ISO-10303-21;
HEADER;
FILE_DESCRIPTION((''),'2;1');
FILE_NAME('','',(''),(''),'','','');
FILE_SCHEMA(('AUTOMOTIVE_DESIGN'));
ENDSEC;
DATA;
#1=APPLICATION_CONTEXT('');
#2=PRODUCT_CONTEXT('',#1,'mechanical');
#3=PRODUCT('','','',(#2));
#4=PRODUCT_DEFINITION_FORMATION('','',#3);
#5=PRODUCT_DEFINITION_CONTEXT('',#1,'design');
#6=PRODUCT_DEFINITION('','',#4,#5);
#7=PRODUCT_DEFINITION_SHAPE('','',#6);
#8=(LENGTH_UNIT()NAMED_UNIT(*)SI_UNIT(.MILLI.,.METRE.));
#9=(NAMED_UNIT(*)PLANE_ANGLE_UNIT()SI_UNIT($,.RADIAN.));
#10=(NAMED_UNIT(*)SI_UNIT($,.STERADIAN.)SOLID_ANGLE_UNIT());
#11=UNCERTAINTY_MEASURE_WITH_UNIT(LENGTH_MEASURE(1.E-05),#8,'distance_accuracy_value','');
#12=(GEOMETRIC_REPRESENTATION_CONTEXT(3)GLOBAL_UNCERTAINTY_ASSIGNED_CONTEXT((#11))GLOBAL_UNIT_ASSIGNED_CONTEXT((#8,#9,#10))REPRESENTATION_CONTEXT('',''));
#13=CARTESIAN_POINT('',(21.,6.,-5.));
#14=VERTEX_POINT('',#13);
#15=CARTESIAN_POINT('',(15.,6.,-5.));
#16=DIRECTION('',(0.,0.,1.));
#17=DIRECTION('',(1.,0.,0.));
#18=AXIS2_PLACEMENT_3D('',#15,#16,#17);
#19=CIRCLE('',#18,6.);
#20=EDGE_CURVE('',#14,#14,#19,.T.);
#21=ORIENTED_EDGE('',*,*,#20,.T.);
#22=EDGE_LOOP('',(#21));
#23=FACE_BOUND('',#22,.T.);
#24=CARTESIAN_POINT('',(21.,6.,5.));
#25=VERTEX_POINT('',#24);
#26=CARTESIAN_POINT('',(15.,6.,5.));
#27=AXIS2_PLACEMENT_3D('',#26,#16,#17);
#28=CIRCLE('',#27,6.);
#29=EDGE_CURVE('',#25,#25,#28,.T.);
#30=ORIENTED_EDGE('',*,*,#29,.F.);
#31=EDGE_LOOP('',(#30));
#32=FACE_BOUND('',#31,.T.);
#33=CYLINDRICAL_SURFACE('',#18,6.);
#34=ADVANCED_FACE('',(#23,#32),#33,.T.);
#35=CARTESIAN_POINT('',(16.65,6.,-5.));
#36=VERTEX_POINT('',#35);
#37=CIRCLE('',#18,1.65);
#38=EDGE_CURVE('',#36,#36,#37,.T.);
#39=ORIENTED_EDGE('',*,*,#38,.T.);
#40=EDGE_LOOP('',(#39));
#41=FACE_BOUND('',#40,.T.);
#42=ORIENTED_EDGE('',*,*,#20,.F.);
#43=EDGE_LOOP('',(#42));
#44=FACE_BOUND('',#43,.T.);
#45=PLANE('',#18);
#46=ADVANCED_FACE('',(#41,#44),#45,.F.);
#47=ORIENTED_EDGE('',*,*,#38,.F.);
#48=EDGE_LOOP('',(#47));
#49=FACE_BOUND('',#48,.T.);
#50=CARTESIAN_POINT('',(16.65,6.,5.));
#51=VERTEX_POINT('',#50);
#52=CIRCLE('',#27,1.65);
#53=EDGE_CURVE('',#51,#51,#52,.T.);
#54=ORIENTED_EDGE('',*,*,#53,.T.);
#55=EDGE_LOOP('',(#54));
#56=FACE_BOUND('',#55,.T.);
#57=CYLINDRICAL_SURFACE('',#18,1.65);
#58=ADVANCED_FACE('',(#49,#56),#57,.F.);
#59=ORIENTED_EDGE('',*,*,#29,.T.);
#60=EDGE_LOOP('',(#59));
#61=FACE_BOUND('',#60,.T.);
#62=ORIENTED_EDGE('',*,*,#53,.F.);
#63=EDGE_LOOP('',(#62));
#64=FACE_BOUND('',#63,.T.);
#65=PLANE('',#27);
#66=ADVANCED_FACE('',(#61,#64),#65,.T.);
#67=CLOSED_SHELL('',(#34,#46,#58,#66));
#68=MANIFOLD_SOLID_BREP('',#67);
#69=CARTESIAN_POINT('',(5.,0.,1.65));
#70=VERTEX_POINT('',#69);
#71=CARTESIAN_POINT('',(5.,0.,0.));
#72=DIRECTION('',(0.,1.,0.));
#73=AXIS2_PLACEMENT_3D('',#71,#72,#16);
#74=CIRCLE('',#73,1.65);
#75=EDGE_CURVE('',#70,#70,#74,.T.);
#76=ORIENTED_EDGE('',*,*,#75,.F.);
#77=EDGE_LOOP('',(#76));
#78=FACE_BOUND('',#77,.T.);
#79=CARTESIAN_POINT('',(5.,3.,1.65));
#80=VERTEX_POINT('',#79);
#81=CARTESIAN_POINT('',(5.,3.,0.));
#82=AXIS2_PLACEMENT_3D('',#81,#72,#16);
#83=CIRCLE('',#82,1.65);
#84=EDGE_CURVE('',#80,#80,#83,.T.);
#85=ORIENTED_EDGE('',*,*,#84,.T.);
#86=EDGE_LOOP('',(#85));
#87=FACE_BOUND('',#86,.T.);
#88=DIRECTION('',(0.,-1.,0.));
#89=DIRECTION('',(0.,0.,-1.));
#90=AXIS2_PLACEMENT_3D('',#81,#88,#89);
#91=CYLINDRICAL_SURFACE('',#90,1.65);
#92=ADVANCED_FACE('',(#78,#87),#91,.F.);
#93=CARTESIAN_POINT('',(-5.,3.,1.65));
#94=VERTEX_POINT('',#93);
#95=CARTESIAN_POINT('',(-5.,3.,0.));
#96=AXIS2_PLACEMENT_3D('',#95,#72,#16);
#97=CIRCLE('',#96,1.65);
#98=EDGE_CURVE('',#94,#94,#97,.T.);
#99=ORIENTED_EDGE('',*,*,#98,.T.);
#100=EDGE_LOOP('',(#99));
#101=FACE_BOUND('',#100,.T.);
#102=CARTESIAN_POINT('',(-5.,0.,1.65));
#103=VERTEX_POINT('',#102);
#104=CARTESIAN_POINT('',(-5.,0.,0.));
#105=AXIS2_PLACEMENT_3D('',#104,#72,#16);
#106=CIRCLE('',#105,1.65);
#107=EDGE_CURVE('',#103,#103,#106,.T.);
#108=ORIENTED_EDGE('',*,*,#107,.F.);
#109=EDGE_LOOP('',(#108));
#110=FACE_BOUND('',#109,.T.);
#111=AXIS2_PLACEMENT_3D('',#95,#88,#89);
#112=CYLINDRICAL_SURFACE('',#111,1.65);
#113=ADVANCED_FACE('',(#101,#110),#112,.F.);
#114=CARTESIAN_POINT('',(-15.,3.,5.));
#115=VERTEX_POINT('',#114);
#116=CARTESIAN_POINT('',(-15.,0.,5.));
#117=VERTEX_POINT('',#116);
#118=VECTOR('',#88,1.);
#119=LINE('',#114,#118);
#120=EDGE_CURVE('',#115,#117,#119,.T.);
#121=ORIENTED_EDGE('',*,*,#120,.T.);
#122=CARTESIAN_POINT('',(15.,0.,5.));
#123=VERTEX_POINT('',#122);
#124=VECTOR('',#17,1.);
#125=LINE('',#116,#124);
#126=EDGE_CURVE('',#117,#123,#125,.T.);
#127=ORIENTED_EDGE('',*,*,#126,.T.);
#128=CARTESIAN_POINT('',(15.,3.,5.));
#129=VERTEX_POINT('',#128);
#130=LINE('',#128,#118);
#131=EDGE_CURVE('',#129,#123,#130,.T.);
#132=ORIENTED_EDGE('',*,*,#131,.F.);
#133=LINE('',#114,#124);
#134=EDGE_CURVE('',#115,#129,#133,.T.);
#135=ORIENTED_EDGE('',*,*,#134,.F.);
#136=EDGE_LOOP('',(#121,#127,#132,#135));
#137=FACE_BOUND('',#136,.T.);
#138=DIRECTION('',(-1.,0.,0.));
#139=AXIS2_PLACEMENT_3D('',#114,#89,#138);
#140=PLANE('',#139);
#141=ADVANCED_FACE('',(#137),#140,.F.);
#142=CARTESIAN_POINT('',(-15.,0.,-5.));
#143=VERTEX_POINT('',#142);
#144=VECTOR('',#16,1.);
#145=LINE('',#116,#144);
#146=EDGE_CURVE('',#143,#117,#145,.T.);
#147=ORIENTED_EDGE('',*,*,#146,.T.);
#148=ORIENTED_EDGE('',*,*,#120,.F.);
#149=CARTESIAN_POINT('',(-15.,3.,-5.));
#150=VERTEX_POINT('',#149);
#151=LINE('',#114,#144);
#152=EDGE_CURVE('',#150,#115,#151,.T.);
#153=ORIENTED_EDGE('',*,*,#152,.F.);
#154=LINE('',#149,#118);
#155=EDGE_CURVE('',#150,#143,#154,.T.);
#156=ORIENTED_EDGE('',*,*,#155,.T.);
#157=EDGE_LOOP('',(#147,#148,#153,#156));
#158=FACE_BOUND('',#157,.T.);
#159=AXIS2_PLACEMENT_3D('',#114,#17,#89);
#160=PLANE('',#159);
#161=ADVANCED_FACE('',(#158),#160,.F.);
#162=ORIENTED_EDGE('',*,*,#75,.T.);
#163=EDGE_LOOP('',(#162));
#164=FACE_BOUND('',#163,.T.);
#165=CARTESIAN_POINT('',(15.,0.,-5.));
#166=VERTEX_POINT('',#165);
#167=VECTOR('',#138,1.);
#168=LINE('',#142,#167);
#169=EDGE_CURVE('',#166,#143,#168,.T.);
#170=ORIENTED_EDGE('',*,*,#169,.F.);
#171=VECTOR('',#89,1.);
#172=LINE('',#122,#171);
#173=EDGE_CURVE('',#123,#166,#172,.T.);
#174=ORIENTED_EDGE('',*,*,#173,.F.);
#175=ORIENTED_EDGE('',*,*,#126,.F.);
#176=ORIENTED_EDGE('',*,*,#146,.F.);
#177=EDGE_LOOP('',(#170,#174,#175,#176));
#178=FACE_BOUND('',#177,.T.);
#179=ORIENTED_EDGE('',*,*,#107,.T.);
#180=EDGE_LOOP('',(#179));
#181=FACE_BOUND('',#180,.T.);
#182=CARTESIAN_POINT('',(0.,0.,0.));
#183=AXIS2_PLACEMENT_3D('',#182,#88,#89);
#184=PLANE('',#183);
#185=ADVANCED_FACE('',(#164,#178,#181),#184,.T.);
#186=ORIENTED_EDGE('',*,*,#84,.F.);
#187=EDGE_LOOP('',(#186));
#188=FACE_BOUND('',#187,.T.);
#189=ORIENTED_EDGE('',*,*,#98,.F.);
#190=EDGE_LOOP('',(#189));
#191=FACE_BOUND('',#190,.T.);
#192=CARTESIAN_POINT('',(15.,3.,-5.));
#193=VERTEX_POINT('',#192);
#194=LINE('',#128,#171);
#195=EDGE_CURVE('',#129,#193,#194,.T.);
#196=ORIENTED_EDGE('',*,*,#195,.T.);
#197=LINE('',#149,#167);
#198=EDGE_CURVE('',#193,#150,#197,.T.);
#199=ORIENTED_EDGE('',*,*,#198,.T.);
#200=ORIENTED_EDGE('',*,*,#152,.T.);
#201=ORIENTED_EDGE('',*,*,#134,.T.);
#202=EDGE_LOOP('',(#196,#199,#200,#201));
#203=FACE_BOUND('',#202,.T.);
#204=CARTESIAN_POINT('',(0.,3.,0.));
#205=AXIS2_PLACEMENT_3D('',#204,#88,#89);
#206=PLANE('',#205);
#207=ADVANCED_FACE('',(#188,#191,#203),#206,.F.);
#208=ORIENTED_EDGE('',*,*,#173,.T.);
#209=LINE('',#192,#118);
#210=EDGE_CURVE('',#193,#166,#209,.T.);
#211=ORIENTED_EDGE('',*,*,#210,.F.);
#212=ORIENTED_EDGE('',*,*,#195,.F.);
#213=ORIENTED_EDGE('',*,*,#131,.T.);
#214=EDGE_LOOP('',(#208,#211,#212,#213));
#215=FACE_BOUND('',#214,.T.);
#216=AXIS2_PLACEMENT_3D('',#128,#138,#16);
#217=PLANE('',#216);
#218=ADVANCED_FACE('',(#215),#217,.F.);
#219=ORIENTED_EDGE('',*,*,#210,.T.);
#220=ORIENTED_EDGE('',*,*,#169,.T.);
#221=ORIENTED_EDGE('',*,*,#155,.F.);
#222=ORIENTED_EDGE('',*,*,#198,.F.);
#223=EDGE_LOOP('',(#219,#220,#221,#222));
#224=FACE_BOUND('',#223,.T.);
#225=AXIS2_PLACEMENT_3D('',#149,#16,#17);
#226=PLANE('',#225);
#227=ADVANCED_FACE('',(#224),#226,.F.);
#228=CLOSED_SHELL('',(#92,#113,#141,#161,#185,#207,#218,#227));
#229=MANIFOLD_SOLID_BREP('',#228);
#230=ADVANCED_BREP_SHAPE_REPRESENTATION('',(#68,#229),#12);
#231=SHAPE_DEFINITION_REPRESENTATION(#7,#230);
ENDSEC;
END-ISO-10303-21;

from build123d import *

# Parameters (mm, degrees)
SKETCH_1_W      = 30
SKETCH_1_H      = 10
SKETCH_1_R      = 1.65
EXTRUDE_1_DEPTH = 3
SKETCH_2_R      = 6
SKETCH_2_R_2    = 1.65
EXTRUDE_2_DEPTH = 10


with BuildPart() as part:
    # 草图1 → 凸台-拉伸1 (new body)
    with BuildSketch(Plane(origin=(0, 0, 0), x_dir=(1, 0, 0), z_dir=(0, 1, 0))):
        Rectangle(SKETCH_1_W, SKETCH_1_H)
        with Locations(Location((-5, 0, 0), (0, 0, 270))):
            Circle(SKETCH_1_R, mode=Mode.SUBTRACT)
        with Locations(Location((5, 0, 0), (0, 0, 270))):
            Circle(SKETCH_1_R, mode=Mode.SUBTRACT)
    extrude(amount=EXTRUDE_1_DEPTH)


with BuildPart() as body_2:
    # 草图2 → 凸台-拉伸2 (new body)
    with BuildSketch(Plane.XY.offset(5)):
        with Locations((15, 6)):
            Circle(SKETCH_2_R)
        with Locations((15, 6)):
            Circle(SKETCH_2_R_2, mode=Mode.SUBTRACT)
    extrude(amount=-EXTRUDE_2_DEPTH)


solid = Compound([part.part, body_2.part])
